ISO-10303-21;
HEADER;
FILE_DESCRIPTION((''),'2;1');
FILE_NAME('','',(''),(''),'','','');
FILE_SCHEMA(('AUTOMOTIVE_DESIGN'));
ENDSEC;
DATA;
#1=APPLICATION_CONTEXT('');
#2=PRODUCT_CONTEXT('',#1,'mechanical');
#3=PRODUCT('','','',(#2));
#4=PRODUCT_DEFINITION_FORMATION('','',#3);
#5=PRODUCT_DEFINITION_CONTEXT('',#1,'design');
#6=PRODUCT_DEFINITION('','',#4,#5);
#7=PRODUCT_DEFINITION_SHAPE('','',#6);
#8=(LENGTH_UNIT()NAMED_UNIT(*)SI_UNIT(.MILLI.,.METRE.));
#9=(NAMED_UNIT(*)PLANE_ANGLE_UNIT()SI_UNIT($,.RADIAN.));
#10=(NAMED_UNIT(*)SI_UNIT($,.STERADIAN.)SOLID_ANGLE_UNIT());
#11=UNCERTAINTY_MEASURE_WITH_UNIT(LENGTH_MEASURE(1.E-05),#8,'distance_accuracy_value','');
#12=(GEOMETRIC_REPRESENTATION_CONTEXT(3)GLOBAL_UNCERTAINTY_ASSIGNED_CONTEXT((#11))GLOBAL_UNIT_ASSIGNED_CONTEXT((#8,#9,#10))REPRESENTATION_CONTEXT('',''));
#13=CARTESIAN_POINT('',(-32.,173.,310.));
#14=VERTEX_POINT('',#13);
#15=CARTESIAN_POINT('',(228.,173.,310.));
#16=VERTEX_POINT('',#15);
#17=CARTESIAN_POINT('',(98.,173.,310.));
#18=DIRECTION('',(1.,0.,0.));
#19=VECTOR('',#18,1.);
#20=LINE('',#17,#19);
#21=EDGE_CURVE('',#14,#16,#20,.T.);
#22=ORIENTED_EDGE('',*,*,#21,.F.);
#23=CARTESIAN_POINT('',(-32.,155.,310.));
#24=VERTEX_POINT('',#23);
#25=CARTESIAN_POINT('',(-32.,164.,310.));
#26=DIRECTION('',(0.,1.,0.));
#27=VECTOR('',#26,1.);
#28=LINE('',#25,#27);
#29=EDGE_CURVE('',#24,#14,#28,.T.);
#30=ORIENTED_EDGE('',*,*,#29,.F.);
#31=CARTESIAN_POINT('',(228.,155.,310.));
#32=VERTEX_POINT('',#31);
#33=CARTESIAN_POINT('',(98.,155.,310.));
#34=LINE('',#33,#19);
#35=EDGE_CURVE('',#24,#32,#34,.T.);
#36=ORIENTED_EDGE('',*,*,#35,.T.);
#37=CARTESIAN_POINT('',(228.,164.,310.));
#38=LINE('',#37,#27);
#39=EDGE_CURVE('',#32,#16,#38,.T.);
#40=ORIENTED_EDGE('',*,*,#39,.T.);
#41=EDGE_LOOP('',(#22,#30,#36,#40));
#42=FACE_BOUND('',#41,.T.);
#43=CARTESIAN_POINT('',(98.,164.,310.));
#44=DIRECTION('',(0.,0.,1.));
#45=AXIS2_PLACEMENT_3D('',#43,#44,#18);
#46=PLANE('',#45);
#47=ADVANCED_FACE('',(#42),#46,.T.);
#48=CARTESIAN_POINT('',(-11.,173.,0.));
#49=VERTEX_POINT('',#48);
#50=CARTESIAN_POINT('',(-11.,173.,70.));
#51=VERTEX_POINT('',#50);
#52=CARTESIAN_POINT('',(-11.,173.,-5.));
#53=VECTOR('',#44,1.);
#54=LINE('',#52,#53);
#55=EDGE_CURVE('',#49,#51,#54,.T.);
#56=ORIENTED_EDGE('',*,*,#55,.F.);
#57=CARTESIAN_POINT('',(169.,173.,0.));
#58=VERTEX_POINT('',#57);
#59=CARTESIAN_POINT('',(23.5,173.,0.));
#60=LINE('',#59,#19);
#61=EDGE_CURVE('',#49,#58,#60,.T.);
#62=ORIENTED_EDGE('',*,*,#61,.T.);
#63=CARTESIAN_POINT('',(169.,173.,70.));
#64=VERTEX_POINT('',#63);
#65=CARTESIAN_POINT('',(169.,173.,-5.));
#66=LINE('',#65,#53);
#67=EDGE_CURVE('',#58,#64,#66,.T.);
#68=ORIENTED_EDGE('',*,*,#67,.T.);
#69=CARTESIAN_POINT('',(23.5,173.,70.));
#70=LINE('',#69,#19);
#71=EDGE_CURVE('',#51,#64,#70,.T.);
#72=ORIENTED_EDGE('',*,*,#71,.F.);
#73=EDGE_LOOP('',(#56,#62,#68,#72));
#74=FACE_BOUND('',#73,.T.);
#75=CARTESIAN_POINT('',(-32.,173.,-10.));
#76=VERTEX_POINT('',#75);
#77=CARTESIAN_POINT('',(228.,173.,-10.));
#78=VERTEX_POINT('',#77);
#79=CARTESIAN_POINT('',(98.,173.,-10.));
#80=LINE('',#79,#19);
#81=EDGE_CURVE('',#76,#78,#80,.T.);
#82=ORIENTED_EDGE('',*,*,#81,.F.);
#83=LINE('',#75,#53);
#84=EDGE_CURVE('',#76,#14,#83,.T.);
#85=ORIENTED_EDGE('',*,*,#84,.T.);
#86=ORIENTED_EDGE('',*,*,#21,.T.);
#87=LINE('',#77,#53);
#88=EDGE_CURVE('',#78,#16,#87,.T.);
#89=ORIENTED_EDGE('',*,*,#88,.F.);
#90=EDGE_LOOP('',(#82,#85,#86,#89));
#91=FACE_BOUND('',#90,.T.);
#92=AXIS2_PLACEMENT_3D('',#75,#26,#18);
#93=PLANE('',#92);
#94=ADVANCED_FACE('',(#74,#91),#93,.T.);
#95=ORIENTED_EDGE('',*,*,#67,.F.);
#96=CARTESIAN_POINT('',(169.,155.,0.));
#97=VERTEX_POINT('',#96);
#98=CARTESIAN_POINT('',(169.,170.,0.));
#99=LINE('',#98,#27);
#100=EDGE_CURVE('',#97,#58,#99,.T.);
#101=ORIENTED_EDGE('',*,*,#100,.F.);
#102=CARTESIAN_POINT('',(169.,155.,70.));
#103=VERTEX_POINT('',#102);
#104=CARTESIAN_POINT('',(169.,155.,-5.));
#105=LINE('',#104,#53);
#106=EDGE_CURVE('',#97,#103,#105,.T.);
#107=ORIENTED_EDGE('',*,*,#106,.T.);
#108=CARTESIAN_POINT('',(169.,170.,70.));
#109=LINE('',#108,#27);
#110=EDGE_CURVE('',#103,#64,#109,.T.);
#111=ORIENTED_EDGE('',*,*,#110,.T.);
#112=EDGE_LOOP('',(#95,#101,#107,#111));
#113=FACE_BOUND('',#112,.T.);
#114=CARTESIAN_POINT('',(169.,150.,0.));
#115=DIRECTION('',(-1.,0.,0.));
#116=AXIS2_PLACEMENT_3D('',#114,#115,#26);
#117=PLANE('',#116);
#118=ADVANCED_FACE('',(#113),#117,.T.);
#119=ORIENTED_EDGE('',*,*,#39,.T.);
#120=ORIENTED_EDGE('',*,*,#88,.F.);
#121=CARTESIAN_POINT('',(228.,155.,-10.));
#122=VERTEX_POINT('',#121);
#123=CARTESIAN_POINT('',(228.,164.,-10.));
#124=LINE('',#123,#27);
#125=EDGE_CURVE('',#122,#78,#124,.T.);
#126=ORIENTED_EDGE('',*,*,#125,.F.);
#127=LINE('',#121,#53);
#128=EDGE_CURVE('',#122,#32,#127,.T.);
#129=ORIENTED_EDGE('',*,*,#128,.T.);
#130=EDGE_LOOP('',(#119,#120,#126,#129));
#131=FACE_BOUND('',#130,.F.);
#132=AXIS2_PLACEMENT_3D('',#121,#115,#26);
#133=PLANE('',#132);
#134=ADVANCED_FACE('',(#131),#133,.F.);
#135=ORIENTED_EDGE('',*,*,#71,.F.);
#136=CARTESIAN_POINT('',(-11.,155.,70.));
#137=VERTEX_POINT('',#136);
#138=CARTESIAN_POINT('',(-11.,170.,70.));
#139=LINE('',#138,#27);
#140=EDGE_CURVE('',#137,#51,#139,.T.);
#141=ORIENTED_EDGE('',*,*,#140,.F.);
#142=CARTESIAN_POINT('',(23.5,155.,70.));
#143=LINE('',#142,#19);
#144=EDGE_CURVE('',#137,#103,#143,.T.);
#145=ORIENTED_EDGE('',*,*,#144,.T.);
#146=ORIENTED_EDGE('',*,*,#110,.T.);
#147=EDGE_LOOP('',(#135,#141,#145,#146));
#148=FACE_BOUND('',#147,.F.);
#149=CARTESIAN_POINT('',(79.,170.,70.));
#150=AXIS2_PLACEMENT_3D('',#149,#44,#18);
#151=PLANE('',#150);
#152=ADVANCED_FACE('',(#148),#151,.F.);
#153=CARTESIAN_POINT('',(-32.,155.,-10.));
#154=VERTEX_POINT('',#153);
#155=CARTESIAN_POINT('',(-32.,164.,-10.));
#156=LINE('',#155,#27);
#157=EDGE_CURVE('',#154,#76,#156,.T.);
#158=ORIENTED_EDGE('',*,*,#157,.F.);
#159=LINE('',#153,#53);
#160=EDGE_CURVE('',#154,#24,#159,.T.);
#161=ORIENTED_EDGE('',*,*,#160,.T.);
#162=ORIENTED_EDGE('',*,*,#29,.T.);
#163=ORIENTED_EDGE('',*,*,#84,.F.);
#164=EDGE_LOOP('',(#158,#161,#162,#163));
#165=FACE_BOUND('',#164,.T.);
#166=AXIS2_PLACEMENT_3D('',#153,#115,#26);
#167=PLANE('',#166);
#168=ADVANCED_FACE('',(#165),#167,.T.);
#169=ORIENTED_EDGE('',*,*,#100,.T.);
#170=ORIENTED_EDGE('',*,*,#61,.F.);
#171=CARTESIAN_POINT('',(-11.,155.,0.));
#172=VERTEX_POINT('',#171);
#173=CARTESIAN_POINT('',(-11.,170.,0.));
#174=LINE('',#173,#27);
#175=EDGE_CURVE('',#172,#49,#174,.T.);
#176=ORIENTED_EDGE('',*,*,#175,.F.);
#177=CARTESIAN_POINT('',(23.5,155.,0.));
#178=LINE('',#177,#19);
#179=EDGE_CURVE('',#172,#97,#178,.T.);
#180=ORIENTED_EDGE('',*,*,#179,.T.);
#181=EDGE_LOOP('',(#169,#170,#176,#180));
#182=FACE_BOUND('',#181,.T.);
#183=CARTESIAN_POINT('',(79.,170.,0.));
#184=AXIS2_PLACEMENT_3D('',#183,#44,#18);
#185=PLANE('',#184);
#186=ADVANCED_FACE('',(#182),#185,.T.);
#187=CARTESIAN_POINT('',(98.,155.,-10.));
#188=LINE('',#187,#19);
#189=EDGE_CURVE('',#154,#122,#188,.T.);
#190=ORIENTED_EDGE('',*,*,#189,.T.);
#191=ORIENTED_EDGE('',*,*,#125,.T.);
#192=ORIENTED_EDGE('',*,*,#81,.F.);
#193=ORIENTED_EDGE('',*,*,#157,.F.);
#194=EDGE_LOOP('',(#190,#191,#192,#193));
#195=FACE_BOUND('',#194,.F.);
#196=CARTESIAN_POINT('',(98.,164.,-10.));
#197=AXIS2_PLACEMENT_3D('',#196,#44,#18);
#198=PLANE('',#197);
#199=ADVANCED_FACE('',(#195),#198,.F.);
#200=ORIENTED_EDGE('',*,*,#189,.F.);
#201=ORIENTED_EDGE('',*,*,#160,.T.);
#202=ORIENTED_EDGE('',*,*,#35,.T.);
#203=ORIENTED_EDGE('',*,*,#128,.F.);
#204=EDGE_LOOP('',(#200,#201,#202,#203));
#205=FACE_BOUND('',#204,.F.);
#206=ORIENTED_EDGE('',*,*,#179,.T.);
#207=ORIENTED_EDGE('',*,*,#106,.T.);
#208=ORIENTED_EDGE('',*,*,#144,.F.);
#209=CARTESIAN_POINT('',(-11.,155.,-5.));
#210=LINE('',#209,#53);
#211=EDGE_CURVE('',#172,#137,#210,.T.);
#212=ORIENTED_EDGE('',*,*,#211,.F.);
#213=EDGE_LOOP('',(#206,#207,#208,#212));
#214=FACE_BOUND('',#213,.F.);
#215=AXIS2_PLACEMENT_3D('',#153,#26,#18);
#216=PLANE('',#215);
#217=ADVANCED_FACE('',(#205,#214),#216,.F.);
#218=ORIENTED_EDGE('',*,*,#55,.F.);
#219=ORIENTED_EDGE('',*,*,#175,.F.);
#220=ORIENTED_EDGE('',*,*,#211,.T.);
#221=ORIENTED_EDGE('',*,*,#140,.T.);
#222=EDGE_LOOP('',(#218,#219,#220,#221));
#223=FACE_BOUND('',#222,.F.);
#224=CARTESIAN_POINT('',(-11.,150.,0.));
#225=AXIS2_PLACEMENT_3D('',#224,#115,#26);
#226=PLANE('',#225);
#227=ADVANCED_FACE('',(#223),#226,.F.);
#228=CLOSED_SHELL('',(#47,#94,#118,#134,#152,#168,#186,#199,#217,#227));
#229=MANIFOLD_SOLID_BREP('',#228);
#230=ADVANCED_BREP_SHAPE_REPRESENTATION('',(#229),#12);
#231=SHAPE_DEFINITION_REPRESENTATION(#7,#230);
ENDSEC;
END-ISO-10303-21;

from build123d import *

# Parameters (mm, degrees)
BOX013_W     = 180
BOX013_H     = 40
BOX013_DEPTH = 70
BOX012_W     = 260
BOX012_H     = 18
BOX012_DEPTH = 320


with BuildPart() as cube002:
    # Box013 → Box013 (new body)
    with BuildSketch(Plane(origin=(-11, 148, 0), x_dir=(1, 0, 0), z_dir=(0, 0, 1))):
        with Locations((90, 20)):
            Rectangle(BOX013_W, BOX013_H)
    extrude(amount=BOX013_DEPTH)


with BuildPart() as zadni_strana:
    # Box012 → Box012 (new body)
    with BuildSketch(Plane(origin=(-32, 153, -10), x_dir=(1, 0, 0), z_dir=(0, 0, 1))):
        with Locations((130, 9)):
            Rectangle(BOX012_W, BOX012_H)
    extrude(amount=BOX012_DEPTH)

    # Cut008: cut Cube002
    add(cube002.part, mode=Mode.SUBTRACT)


with BuildPart() as zadni_strana_1:
    # Cut008 placement: moved
    add(zadni_strana.part.moved(Location((0, 2, 0))))


solid = zadni_strana_1.part
